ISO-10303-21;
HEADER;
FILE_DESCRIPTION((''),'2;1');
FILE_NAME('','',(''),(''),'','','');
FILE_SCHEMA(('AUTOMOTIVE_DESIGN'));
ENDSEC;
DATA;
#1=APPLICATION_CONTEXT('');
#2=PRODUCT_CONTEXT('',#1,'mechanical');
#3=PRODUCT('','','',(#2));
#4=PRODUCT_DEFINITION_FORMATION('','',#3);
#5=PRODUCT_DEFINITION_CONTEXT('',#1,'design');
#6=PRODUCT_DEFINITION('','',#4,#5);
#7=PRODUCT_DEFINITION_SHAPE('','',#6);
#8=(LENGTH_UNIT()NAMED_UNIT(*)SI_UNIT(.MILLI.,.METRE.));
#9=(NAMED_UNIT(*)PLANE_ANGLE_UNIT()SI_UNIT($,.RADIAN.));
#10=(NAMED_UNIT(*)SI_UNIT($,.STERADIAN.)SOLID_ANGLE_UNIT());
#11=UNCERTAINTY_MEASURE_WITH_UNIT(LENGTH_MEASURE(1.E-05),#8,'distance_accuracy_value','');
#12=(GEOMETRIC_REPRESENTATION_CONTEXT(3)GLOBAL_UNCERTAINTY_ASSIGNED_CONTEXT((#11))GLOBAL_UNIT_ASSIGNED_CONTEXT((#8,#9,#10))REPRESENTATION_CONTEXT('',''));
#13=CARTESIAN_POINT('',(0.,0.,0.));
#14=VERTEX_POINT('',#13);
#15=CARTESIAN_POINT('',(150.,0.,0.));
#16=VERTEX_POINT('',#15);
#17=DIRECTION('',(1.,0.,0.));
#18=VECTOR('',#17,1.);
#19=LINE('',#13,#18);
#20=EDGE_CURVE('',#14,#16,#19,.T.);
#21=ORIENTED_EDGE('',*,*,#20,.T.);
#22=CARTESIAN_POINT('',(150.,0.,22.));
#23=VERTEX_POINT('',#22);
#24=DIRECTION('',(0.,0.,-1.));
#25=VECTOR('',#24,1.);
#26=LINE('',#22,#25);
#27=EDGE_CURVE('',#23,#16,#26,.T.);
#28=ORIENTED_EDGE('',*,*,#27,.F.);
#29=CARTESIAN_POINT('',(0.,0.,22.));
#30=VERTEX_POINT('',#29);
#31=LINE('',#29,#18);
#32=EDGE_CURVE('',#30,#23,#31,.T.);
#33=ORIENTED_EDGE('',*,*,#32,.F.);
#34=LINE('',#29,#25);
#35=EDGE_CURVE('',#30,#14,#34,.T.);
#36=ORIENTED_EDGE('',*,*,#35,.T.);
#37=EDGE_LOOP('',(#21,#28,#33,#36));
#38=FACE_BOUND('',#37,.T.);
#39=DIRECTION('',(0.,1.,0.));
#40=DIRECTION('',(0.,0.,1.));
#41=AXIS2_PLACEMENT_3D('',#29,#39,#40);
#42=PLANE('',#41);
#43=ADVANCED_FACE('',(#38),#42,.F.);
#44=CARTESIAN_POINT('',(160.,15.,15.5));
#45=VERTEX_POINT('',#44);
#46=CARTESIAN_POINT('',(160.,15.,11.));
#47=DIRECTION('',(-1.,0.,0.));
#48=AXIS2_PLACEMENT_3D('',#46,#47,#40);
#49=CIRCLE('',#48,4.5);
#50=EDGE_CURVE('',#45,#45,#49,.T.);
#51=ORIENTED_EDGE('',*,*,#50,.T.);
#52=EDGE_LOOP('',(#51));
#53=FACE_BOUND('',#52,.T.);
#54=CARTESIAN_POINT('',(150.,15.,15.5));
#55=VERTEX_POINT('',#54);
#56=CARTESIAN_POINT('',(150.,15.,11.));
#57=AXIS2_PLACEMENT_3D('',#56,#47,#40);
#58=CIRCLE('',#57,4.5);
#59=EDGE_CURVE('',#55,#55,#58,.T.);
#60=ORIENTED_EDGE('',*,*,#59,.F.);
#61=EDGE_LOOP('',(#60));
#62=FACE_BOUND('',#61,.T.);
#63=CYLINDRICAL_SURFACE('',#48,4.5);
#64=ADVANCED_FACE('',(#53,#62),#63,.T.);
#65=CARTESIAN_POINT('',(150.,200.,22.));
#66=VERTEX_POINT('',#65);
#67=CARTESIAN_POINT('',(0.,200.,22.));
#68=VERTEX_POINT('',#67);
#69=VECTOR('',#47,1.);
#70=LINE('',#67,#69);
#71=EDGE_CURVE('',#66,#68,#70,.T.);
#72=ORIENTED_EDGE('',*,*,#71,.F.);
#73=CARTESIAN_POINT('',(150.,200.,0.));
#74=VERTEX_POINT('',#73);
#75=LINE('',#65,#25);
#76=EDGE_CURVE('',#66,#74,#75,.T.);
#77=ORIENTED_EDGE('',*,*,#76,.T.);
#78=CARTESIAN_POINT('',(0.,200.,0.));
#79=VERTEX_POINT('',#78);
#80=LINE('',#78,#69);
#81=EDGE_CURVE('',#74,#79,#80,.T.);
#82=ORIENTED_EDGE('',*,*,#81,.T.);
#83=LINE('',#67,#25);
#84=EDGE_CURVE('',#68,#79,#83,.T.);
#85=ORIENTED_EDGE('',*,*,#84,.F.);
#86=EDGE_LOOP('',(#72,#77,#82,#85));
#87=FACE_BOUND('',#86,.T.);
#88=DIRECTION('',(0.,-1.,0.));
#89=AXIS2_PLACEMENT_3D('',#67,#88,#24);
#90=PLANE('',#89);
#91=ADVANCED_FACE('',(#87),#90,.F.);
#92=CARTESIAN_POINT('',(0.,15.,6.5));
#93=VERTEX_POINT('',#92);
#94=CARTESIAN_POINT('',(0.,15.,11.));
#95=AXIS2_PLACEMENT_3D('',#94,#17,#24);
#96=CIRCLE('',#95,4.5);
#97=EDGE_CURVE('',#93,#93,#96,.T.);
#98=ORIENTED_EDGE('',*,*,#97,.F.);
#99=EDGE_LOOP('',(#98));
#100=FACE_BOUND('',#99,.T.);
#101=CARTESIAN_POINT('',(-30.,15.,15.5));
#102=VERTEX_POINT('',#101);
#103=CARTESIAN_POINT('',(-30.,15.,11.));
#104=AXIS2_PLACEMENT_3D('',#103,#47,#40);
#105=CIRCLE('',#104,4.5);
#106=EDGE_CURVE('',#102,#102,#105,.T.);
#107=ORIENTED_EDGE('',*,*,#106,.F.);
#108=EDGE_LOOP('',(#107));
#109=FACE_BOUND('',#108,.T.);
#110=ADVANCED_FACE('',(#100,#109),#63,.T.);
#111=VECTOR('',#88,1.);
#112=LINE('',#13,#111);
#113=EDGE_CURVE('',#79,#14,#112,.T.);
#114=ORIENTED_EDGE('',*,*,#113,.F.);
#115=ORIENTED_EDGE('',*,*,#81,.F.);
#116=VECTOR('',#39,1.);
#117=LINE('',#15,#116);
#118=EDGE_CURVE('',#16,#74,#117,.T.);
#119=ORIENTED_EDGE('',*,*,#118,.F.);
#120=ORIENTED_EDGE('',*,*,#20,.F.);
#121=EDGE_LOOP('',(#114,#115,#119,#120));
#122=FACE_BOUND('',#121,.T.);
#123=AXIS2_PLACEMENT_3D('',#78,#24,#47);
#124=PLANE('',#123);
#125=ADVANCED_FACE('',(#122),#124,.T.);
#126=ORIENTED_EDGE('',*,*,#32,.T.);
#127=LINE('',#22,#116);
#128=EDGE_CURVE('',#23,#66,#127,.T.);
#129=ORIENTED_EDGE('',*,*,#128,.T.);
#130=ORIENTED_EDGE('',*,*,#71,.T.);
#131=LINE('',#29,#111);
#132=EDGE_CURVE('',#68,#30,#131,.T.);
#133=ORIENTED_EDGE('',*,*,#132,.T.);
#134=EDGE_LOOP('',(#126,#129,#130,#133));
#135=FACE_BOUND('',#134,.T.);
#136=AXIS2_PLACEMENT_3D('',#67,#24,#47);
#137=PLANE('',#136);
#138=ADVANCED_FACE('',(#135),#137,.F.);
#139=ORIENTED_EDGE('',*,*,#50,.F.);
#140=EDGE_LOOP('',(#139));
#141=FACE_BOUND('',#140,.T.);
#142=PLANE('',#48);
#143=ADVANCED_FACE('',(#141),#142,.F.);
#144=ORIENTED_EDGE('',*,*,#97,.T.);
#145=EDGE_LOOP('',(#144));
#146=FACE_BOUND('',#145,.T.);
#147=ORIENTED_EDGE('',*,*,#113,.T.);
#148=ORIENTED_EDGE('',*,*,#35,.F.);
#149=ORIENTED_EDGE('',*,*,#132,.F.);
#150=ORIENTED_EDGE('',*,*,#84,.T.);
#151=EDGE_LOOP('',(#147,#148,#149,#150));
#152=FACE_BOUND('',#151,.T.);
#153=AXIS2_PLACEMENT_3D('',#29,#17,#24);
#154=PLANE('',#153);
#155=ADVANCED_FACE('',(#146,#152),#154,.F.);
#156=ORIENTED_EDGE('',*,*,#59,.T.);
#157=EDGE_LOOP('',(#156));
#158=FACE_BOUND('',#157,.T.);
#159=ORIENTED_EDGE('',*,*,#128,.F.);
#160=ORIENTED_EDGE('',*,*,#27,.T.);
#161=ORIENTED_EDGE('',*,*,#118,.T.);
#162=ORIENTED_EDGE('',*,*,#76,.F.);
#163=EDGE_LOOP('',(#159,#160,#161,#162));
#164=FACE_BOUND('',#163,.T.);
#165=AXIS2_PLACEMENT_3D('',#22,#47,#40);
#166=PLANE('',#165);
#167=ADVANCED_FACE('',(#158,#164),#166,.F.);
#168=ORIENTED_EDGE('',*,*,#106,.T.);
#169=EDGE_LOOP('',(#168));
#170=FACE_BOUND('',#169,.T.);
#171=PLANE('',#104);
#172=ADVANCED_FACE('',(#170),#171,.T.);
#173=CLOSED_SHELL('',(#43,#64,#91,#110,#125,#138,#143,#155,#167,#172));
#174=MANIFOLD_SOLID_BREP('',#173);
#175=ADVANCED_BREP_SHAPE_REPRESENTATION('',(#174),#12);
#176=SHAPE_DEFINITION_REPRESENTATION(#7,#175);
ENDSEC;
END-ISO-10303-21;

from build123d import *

# Parameters (mm, degrees)
ESQUISSE1_W           = 150
ESQUISSE1_H           = 200
EXTRUSION1_DEPTH      = 22
ESQUISSE2_R           = 4.5
EXTRUSION2_DEPTH      = 30
EXTRUSION2_DEPTH_BACK = 160


with BuildPart() as part:
    # Esquisse1 → Extrusion1 (new body)
    with BuildSketch(Plane.XY):
        with Locations((75, 100)):
            Rectangle(ESQUISSE1_W, ESQUISSE1_H)
    extrude(amount=EXTRUSION1_DEPTH)

    # Esquisse2 → Extrusion2 (add, two sides)
    with BuildSketch(Plane.ZY) as extrusion2_sk:
        with Locations((11, 15)):
            Circle(ESQUISSE2_R)
    extrude(amount=EXTRUSION2_DEPTH)
    extrude(extrusion2_sk.sketch, amount=-EXTRUSION2_DEPTH_BACK)


solid = part.part
